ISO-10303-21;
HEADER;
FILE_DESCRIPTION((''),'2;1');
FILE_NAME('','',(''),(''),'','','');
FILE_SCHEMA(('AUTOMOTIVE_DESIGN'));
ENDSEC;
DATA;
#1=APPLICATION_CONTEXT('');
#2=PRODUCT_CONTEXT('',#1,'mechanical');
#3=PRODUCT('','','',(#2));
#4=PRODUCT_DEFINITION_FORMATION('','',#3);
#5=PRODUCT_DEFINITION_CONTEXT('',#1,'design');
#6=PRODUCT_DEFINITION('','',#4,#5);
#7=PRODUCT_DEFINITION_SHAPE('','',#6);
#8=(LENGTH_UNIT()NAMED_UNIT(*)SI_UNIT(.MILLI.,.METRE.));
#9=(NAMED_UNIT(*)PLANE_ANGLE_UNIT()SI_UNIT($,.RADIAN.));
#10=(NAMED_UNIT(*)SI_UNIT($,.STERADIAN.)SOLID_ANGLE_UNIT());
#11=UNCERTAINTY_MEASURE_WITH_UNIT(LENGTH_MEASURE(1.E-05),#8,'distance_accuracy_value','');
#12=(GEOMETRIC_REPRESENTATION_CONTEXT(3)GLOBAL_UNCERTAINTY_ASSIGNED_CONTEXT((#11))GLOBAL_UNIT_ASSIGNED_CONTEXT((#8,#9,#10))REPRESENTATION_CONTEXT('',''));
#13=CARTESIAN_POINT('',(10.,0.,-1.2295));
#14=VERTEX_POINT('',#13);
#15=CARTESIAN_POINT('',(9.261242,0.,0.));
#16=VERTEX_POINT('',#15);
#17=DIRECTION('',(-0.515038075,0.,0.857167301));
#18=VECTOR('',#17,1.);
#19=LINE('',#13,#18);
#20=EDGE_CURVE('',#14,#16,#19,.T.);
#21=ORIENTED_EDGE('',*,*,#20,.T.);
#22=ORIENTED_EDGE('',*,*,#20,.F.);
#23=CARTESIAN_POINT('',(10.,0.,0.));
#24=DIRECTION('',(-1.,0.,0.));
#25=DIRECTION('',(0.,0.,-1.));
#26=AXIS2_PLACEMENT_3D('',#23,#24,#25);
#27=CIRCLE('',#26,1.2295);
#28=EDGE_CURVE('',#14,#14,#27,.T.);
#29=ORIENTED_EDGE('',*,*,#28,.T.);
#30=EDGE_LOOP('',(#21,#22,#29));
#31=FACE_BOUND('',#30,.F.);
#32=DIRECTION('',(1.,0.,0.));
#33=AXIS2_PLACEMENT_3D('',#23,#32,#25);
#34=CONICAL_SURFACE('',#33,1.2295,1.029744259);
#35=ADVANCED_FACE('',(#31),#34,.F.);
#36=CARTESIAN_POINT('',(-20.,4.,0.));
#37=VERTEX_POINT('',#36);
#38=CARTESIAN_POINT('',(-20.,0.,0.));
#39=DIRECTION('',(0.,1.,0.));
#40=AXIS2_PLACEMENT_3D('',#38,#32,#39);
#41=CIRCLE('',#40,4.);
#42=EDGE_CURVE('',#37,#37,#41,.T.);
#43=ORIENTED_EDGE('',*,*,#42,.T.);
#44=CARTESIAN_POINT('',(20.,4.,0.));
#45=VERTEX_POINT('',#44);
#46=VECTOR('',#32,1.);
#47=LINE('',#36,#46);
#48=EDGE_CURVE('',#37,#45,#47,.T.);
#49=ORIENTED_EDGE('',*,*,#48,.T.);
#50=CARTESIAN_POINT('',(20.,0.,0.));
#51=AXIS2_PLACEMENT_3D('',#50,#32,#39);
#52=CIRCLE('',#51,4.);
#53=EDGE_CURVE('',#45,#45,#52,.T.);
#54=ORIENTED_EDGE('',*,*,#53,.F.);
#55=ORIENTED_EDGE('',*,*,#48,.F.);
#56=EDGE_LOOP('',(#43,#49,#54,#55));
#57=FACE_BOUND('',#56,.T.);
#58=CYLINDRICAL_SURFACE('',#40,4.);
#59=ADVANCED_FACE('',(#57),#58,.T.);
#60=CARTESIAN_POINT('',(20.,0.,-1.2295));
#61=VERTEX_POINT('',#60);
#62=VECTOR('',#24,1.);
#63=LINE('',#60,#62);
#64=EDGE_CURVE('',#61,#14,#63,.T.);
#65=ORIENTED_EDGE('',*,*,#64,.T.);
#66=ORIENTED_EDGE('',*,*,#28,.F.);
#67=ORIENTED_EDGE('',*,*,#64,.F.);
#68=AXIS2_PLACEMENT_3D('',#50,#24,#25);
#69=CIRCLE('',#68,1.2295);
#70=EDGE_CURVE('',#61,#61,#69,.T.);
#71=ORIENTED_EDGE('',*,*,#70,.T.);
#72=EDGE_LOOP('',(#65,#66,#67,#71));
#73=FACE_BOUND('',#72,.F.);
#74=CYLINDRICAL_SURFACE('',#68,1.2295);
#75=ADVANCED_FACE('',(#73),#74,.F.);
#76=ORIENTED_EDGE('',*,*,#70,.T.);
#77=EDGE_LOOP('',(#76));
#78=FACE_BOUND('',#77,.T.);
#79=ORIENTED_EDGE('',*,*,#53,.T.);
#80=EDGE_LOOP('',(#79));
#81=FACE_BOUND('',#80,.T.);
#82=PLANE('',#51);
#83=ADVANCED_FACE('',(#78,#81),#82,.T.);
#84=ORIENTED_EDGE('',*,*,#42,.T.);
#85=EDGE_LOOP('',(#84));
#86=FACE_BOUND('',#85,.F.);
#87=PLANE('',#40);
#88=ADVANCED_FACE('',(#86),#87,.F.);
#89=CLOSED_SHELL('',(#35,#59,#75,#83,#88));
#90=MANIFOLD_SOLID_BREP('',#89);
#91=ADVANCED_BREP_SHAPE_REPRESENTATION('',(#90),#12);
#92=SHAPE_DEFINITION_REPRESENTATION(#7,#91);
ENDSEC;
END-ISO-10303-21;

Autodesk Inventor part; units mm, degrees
ref_plane "YZ Plane" through (0, 0, 0) normal (1, 0, 0) x (0, 1, 0)
ref_plane "XZ Plane" through (0, 0, 0) normal (0, 1, 0) x (-1, 0, 0)
ref_plane "XY Plane" through (0, 0, 0) normal (0, 0, 1) x (1, 0, 0)
sketch "Boceto1" plane through (0, 0, 0) normal (0, 0, 1) x (1, 0, 0)
  line L0 (-20, 0) -> (20, 0)
  line L1 (-20, 4) -> (20, 4)
  line L2 (20, 4) -> (20, 0)
  line L3 (15, 2.5) -> (20, 2.5)
  line L4 (15, 4) -> (15, 2.5)
  line L5 (-20, 4) -> (-20, 0)
  line L6 (-20, 2.5) -> (-15, 2.5)
  line L7 (-15, 2.5) -> (-15, 4)
  point P0 (0, 0)
  point P1 (0, 0)
  dimension "d0" = 8
  dimension "d13" = 5
  dimension "d22" = 5
  dimension "d30" = 20
  dimension "d31" = 40
  dimension "d38" = 5
  dimension "d39" = 5
revolve "Revolución1" add sketch "Boceto1" angle 360 about axis through (-20, 0, 0) along (1, 0, 0)
thread "Rosca1" size "M8x1.25" class "6g" standard "ANSI Metric M Profile" full length
sketch "Boceto2" plane through (20, 0, 0) normal (1, 0, 0) x (0, 0, -1)
  point P0 (0, 0)
  point P1 (0, 0)
hole "Agujero1" at (20, 0, 0) direction (-1, 0, 0) diameter 2.459 depth 10 tip angle 118 thread size "M3x0.5" class "6H" standard "ISO Metric profile"
equation "\"d30\" = 0.5 * d31"
properties part number "Perilla"
